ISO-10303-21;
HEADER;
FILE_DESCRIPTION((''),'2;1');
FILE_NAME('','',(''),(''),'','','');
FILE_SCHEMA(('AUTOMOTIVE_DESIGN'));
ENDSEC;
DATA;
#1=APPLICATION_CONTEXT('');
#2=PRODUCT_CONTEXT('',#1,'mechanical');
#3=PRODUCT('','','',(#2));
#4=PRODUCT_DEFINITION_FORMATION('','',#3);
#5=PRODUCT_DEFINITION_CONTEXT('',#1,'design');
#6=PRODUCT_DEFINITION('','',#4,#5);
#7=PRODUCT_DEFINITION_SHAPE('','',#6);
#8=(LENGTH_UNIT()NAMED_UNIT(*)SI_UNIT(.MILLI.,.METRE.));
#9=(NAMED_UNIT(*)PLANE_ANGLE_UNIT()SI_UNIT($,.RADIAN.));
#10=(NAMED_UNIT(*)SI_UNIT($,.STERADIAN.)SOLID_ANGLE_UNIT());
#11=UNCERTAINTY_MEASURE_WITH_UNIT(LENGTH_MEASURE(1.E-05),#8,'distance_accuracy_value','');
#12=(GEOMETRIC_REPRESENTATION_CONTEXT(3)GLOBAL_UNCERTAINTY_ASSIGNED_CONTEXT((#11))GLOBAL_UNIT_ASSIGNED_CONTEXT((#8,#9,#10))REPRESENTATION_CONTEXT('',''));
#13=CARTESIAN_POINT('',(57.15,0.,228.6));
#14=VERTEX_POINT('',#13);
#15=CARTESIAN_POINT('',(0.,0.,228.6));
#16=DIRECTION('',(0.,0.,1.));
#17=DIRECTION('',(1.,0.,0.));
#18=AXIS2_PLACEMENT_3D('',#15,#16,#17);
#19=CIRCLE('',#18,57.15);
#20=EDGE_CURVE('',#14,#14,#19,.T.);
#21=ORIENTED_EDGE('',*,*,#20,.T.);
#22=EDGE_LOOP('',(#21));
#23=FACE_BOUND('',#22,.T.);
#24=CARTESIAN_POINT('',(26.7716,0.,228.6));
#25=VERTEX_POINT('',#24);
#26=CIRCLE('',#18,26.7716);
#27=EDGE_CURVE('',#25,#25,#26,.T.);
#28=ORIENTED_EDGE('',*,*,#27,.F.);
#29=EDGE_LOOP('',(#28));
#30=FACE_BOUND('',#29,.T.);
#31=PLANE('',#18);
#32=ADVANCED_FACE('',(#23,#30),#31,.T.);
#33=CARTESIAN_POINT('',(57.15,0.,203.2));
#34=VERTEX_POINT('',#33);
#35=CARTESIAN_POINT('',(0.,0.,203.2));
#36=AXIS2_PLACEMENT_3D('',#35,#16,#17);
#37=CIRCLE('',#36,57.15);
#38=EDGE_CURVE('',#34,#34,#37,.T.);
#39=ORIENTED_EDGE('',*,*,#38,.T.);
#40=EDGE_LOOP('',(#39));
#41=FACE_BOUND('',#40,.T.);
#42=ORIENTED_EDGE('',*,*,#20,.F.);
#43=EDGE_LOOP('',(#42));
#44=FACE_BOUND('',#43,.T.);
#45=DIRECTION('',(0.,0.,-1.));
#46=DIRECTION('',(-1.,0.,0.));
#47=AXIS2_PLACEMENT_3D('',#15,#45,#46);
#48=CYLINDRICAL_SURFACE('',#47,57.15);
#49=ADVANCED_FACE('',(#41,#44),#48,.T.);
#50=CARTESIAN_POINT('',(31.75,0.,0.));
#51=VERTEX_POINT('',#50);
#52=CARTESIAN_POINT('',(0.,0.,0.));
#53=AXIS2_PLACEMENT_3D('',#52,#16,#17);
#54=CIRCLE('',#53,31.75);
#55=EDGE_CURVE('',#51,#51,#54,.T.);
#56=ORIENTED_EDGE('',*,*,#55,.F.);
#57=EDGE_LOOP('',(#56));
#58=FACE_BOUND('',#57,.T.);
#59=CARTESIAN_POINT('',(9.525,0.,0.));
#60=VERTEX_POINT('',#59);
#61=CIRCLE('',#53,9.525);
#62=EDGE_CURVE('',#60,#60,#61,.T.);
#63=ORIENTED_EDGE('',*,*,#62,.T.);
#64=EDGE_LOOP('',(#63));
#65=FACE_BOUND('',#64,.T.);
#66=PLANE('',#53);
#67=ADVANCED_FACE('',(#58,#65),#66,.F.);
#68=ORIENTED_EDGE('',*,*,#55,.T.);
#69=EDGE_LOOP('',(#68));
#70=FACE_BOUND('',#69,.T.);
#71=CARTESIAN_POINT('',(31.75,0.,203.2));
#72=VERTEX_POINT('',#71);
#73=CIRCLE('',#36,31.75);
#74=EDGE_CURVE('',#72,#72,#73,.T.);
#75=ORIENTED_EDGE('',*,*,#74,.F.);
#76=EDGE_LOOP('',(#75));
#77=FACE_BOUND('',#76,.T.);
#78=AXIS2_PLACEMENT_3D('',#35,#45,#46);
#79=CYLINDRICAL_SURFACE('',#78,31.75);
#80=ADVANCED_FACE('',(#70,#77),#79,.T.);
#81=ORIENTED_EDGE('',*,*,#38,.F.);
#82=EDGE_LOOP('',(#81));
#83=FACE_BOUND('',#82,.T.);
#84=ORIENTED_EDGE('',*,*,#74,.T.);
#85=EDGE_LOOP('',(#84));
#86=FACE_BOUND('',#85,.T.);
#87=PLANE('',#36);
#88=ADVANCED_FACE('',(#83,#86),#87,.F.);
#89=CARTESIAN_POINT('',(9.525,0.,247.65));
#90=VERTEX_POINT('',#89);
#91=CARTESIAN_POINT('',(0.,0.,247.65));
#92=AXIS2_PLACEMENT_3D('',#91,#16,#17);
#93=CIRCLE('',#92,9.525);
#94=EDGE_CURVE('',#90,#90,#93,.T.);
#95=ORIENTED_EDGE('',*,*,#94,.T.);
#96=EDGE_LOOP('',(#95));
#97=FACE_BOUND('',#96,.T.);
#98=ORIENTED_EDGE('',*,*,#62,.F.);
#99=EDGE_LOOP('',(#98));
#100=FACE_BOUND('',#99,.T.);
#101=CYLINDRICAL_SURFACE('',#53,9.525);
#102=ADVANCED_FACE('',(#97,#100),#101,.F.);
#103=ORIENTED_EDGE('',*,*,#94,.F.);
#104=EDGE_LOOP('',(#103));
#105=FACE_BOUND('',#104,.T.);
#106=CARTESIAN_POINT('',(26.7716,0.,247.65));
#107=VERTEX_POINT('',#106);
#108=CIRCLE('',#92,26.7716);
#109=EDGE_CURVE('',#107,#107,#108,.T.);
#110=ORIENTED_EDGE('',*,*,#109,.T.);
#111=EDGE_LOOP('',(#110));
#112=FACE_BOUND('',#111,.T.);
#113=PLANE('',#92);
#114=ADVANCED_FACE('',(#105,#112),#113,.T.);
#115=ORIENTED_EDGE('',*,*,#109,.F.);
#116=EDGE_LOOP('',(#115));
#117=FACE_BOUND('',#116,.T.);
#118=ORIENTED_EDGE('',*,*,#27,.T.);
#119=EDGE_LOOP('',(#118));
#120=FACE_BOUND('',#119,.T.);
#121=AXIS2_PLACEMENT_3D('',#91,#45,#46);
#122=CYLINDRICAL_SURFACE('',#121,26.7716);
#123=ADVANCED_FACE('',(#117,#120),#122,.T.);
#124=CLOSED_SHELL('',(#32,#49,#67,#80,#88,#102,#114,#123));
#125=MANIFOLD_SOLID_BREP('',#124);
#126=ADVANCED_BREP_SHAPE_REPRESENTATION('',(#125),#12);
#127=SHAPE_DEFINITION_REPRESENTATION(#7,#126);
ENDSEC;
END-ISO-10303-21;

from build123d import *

# Parameters (mm, degrees)
SKETCH3_R           = 31.75
BOSS_EXTRUDE1_DEPTH = 203.2
SKETCH4_R           = 57.15
BOSS_EXTRUDE2_DEPTH = 25.4
SKETCH5_R           = 26.7716
BOSS_EXTRUDE3_DEPTH = 19.05
SKETCH6_R           = 9.525
CUT_EXTRUDE1_DEPTH  = 248.65


with BuildPart() as part:
    # Sketch3 → Boss-Extrude1 (new body)
    with BuildSketch(Plane.XY):
        Circle(SKETCH3_R)
    extrude(amount=BOSS_EXTRUDE1_DEPTH)

    # Sketch4 → Boss-Extrude2 (add)
    with BuildSketch(Plane.XY.offset(203.2)):
        Circle(SKETCH4_R)
    extrude(amount=BOSS_EXTRUDE2_DEPTH)

    # Sketch5 → Boss-Extrude3 (add)
    with BuildSketch(Plane.XY.offset(228.6)):
        Circle(SKETCH5_R)
    extrude(amount=BOSS_EXTRUDE3_DEPTH)

    # Sketch6 → Cut-Extrude1 (cut, through all)
    with BuildSketch(Plane.XY.offset(247.65)):
        Circle(SKETCH6_R)
    extrude(amount=-CUT_EXTRUDE1_DEPTH, mode=Mode.SUBTRACT)


solid = part.part
